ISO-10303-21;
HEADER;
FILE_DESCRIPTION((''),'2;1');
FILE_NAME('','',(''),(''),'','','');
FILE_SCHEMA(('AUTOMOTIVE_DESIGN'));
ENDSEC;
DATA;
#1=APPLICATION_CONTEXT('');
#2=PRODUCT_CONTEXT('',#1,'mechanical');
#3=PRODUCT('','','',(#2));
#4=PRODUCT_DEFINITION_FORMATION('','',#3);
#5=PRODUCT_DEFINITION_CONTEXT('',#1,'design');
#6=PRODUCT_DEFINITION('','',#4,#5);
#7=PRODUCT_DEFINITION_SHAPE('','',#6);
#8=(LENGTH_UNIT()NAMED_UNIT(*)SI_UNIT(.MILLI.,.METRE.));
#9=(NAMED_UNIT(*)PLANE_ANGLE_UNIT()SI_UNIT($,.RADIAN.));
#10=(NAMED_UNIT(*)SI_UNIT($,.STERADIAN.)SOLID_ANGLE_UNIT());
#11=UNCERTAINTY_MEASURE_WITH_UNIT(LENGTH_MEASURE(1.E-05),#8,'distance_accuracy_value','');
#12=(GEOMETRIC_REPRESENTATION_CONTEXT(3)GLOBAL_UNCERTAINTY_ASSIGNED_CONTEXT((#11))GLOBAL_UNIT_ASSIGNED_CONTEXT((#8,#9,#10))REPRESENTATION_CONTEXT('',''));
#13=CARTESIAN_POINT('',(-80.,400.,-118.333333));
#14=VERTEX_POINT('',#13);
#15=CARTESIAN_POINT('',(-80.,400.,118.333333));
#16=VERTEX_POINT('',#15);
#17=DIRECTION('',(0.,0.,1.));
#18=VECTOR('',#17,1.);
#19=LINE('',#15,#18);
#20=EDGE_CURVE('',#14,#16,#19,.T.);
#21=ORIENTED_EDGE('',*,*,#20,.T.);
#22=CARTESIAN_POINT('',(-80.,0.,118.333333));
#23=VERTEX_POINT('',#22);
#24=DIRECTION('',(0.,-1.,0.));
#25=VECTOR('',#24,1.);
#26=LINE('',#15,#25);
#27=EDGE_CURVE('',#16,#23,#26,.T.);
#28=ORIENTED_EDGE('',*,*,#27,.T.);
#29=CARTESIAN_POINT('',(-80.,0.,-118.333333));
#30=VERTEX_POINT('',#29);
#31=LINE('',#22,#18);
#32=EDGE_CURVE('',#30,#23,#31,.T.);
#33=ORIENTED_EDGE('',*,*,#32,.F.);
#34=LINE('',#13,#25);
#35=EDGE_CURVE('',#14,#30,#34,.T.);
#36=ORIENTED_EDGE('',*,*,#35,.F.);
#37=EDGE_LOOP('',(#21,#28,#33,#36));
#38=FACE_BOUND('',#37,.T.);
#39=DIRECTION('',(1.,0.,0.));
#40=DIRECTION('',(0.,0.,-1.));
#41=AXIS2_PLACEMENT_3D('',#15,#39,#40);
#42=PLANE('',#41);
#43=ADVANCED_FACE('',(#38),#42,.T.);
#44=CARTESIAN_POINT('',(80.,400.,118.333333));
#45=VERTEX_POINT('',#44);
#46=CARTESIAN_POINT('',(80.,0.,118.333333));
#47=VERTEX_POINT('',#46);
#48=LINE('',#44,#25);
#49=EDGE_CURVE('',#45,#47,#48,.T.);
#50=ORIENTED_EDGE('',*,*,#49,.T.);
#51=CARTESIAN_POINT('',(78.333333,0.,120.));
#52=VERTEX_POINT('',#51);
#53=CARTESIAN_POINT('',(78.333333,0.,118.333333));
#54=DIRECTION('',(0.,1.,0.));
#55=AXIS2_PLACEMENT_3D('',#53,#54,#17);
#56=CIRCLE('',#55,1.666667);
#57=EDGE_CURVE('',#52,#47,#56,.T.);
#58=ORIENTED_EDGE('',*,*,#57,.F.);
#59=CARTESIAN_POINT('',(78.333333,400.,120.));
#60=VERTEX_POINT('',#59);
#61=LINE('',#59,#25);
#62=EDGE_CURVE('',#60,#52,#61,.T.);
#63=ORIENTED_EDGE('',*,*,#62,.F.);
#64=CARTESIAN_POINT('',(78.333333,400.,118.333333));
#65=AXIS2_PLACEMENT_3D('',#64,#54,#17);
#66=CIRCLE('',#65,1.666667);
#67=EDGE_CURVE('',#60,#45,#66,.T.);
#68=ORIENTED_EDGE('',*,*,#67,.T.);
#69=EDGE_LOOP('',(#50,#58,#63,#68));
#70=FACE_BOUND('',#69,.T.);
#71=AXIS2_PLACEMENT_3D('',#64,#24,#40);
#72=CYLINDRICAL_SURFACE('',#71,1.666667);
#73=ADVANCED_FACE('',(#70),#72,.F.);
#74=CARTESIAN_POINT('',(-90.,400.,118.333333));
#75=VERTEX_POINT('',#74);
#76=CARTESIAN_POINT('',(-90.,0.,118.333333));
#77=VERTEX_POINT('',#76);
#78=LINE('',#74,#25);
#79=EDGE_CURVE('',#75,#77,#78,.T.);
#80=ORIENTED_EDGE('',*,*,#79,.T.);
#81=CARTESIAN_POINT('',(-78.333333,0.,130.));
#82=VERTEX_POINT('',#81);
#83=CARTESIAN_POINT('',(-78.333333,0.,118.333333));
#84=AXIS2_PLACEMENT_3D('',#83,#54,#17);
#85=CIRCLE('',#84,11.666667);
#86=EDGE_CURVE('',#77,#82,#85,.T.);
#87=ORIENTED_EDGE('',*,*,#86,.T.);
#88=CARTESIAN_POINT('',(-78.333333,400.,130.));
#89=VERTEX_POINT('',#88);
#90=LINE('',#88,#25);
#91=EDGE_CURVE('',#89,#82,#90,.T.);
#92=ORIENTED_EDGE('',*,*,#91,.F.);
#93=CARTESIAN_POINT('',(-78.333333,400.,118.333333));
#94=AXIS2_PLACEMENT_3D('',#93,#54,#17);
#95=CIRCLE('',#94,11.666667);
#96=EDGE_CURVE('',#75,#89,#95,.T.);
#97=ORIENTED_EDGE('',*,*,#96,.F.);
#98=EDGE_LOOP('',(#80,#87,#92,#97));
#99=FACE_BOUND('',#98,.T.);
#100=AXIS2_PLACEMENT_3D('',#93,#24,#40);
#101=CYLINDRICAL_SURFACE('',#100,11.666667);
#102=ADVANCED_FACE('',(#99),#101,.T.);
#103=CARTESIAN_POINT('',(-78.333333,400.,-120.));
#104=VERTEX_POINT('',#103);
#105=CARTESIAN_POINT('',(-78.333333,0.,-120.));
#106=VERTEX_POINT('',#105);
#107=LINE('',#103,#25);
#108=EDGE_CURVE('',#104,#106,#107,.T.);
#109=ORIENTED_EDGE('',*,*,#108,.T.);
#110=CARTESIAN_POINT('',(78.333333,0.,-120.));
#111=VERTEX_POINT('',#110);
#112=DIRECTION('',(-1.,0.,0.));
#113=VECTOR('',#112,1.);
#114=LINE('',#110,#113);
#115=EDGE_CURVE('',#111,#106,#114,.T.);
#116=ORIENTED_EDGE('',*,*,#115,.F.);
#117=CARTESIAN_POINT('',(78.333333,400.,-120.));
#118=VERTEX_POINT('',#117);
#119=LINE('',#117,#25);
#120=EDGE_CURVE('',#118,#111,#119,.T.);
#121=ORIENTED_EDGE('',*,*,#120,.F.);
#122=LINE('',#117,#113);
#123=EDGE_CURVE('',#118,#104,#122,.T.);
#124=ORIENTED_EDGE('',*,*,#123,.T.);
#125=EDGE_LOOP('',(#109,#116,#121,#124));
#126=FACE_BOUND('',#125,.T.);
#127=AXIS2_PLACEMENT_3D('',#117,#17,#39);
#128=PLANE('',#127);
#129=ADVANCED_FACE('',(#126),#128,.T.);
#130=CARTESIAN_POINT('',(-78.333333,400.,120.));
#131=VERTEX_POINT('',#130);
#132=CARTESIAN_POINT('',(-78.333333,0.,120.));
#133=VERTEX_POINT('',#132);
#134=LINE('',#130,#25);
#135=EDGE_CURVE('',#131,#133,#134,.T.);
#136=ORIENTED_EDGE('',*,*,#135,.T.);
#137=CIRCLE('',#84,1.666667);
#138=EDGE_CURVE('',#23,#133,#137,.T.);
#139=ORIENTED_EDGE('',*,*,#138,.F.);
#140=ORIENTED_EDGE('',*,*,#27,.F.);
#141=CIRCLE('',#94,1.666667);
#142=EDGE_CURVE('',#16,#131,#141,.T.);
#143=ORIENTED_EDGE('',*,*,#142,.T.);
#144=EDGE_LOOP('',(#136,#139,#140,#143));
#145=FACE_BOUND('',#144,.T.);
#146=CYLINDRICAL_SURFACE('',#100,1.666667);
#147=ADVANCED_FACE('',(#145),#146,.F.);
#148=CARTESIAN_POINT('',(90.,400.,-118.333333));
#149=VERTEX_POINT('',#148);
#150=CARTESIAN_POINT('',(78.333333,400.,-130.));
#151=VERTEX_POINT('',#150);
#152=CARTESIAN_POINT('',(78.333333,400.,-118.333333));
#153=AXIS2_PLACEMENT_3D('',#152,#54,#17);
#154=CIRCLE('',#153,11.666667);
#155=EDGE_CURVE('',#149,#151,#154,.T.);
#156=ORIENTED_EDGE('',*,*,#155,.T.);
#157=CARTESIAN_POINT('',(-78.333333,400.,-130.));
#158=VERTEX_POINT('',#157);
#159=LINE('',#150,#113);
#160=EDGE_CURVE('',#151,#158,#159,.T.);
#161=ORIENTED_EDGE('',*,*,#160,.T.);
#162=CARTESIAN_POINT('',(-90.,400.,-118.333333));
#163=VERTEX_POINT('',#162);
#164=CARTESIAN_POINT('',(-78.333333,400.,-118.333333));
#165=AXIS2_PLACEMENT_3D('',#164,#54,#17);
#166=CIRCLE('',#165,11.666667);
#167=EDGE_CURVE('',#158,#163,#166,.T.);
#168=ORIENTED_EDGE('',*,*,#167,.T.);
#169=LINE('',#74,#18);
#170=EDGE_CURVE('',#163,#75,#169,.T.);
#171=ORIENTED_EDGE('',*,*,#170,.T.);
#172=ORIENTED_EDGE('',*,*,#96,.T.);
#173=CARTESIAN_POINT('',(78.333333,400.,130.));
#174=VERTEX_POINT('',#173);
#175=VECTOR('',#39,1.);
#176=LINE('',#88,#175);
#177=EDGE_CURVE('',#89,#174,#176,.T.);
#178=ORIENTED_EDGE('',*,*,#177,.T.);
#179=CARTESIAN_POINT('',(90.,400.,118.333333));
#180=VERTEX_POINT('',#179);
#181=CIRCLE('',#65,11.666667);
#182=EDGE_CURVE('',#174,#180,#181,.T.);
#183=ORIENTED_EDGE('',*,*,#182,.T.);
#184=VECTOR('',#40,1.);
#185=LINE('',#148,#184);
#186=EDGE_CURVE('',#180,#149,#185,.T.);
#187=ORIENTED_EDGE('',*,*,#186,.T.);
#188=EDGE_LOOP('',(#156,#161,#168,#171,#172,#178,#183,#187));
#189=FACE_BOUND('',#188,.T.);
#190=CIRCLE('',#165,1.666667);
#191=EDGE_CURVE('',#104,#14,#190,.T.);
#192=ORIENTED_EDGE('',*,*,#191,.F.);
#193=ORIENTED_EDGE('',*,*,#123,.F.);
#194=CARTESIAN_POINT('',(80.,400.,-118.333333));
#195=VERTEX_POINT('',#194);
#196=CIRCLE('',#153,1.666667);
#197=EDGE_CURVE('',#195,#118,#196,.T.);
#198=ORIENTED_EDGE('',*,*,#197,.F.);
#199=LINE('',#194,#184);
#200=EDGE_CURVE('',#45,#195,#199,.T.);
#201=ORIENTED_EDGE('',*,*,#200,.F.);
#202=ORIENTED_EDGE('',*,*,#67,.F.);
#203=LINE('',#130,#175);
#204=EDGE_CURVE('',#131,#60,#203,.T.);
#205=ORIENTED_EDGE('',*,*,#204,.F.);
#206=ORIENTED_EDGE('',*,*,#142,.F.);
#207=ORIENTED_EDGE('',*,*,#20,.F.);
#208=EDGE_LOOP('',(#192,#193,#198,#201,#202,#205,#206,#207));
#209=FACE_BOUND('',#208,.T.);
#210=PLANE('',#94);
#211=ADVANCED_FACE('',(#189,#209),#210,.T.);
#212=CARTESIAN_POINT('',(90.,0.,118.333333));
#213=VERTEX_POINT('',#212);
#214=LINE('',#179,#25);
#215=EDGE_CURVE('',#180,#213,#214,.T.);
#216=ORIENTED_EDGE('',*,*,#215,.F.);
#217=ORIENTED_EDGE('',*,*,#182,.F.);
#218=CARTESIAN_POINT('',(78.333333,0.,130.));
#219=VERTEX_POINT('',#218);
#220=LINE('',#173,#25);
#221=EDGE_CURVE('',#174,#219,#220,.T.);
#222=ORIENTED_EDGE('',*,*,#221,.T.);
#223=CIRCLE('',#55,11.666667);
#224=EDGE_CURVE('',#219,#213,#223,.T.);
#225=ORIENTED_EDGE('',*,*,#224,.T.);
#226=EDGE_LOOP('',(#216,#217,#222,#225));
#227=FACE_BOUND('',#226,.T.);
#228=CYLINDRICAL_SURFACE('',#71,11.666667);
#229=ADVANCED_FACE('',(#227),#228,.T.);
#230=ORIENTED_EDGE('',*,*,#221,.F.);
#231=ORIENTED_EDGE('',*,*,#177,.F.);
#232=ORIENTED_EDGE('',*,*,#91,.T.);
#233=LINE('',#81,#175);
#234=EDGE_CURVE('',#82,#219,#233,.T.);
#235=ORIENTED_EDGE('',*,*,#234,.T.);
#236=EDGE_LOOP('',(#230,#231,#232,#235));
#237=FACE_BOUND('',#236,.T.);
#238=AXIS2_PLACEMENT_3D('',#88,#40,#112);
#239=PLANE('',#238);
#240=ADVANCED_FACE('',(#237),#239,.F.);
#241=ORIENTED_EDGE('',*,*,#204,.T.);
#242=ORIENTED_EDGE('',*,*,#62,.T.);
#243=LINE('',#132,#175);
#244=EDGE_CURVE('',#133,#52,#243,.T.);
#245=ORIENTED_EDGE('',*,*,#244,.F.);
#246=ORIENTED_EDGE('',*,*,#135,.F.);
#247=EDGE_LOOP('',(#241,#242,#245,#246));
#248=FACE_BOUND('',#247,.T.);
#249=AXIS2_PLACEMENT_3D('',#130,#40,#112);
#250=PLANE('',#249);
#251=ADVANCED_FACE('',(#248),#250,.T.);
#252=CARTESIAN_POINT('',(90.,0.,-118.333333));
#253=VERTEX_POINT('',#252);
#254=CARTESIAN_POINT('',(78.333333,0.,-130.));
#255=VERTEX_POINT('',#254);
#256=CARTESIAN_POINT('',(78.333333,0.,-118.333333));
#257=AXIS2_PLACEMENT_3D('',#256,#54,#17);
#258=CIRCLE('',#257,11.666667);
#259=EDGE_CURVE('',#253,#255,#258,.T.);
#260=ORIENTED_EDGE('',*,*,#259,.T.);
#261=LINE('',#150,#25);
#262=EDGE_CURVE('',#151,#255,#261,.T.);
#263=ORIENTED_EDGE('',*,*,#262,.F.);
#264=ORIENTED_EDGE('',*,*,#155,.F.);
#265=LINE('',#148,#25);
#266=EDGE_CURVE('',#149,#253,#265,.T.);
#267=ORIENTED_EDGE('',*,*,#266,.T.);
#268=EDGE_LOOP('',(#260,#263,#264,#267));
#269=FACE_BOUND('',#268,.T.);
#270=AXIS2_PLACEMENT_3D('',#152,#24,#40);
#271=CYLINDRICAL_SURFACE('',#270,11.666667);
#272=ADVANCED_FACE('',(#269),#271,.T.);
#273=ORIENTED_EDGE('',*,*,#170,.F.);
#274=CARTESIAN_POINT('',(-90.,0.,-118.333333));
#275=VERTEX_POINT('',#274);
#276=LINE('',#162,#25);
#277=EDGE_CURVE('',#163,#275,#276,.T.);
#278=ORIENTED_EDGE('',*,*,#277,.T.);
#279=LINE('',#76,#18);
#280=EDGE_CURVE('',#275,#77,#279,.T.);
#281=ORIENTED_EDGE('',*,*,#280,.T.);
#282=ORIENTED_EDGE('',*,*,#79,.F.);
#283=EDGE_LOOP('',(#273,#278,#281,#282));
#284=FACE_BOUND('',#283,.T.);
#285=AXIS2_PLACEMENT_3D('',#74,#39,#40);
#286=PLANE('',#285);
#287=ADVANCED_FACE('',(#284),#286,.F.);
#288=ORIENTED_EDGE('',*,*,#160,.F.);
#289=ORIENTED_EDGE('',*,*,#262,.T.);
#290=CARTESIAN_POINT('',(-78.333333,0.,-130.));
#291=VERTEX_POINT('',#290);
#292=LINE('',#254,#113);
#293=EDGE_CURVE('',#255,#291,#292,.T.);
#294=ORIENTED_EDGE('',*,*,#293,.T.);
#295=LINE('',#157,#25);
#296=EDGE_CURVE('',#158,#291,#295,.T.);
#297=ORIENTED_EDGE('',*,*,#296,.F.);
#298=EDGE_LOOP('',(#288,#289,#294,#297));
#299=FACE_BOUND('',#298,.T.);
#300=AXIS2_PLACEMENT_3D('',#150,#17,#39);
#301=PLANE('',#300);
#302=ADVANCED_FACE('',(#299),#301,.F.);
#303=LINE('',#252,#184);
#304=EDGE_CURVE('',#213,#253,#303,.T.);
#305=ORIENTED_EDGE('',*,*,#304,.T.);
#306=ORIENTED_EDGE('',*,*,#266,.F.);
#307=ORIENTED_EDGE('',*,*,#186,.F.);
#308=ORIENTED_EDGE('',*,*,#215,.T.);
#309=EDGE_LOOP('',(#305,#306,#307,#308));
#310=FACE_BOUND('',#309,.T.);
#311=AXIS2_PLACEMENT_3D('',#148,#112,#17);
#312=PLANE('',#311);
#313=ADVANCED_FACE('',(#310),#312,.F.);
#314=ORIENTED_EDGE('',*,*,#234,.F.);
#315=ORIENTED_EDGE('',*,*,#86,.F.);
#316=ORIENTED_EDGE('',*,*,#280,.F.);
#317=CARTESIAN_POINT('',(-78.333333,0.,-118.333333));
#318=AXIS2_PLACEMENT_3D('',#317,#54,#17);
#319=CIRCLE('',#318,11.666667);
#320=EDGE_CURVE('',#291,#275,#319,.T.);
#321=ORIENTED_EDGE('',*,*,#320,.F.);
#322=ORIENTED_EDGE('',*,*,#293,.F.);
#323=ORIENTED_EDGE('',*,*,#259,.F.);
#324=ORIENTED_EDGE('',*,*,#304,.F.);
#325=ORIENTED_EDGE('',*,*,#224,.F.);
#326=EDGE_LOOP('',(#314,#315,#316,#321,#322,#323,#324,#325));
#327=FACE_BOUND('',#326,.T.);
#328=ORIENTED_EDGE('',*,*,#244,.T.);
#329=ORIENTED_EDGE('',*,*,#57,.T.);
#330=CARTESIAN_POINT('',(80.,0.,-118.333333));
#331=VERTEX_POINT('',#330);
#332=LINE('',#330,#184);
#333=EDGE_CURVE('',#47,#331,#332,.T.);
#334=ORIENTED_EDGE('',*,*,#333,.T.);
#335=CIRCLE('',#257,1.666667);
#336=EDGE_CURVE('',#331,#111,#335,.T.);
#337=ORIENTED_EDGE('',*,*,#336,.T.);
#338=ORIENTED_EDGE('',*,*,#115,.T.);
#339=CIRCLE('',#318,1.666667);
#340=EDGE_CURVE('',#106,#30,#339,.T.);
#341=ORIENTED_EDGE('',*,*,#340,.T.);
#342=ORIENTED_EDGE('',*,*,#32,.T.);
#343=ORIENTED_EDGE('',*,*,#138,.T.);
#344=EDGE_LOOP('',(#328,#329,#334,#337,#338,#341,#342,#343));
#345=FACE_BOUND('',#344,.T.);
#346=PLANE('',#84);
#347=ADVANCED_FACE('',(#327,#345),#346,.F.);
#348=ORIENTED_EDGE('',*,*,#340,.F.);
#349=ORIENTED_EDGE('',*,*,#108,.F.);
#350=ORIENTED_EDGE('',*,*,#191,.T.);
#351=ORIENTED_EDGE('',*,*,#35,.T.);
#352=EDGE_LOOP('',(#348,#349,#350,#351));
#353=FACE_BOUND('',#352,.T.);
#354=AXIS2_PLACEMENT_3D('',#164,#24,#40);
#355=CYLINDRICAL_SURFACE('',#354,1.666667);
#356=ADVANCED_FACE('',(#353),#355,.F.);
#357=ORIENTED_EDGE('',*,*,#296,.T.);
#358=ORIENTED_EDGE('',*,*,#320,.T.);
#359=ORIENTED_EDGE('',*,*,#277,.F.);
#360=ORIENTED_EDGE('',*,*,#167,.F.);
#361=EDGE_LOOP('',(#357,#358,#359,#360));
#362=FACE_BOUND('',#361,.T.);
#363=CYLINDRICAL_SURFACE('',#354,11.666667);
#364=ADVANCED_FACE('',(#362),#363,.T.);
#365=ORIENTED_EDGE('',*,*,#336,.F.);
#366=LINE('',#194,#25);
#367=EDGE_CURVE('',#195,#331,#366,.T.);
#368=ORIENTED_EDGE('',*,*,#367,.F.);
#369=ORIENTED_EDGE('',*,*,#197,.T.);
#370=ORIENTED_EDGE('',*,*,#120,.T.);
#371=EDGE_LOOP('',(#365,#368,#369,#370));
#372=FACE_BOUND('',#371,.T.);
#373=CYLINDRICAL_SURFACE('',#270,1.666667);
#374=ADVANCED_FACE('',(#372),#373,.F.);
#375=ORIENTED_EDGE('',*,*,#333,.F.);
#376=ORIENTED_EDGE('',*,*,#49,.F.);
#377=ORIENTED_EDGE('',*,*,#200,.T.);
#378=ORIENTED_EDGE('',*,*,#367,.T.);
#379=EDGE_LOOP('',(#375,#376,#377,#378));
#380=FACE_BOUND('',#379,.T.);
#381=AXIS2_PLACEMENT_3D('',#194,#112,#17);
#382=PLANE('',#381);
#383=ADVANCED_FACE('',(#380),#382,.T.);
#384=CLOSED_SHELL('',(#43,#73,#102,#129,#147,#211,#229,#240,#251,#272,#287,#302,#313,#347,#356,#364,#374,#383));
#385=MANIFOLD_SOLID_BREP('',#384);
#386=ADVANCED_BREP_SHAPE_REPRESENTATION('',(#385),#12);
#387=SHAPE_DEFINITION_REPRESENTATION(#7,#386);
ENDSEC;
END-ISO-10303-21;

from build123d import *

# Parameters (mm, degrees)
RHS_RHS90X50X5_1_DEPTH = 400


with BuildPart() as part:
    # Sketch115 → Rhs RHS90X50X5(1) (new body)
    with BuildSketch(Plane(origin=(0, 0, 0), x_dir=(-1, 0, 0), z_dir=(0, 1, 0))):
        with BuildLine():
            Line((-78.333333333, -130), (78.333333333, -130))
            ThreePointArc((78.333333333, -130), (86.582912447, -126.582912447), (90, -118.333333333))
            Line((90, -118.333333333), (90, 118.333333333))
            ThreePointArc((90, 118.333333333), (86.582912447, 126.582912447), (78.333333333, 130))
            Line((78.333333333, 130), (-78.333333333, 130))
            ThreePointArc((-78.333333333, 130), (-86.582912447, 126.582912447), (-90, 118.333333333))
            Line((-90, 118.333333333), (-90, -118.333333333))
            ThreePointArc((-90, -118.333333333), (-86.582912447, -126.582912447), (-78.333333333, -130))
        make_face()
        with BuildLine():
            Line((-78.333333333, -120), (78.333333333, -120))
            ThreePointArc((78.333333333, -120), (79.511844635, -119.511844635), (80, -118.333333333))
            Line((80, -118.333333333), (80, 118.333333333))
            ThreePointArc((80, 118.333333333), (79.511844635, 119.511844635), (78.333333333, 120))
            Line((78.333333333, 120), (-78.333333333, 120))
            ThreePointArc((-78.333333333, 120), (-79.511844635, 119.511844635), (-80, 118.333333333))
            Line((-80, 118.333333333), (-80, -118.333333333))
            ThreePointArc((-80, -118.333333333), (-79.511844635, -119.511844635), (-78.333333333, -120))
        make_face(mode=Mode.SUBTRACT)
    extrude(amount=RHS_RHS90X50X5_1_DEPTH)


solid = part.part
